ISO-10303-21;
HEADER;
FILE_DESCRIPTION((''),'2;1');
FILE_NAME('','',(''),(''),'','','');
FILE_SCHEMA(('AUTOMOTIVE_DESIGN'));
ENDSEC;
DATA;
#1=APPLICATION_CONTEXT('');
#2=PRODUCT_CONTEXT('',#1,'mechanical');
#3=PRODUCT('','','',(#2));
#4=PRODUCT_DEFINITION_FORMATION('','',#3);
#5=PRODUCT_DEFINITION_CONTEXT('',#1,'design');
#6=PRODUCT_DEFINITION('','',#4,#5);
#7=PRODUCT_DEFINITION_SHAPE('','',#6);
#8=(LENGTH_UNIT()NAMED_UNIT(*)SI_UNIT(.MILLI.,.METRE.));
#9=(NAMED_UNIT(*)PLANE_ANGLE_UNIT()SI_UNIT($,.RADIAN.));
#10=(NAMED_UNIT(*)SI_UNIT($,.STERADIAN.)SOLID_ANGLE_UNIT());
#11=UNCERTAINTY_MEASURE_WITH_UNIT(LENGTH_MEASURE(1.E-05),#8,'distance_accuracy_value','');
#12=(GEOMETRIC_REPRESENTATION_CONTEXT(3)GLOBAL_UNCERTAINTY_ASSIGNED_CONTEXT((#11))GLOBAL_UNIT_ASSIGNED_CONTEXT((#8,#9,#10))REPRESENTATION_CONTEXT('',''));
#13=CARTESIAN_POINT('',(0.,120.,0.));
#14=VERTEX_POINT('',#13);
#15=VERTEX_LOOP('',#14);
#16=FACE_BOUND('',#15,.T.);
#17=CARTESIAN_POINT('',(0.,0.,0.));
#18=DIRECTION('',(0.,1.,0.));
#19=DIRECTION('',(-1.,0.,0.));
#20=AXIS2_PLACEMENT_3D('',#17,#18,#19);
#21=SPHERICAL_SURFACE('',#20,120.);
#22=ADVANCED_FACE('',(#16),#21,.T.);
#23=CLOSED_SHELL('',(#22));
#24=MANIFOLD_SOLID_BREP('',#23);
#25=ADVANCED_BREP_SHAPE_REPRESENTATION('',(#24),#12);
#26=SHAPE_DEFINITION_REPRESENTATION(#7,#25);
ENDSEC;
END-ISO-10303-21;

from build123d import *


with BuildPart() as part:
    # Skizze1 → Rotation1 (revolve)
    with BuildSketch(Plane.XY):
        with BuildLine():
            ThreePointArc((0, 120), (120, 0), (0, -120))
            Line((0, -120), (0, 120))
        make_face()
    revolve(axis=Axis((0, 120, 0), (0, -1, 0)))


solid = part.part
